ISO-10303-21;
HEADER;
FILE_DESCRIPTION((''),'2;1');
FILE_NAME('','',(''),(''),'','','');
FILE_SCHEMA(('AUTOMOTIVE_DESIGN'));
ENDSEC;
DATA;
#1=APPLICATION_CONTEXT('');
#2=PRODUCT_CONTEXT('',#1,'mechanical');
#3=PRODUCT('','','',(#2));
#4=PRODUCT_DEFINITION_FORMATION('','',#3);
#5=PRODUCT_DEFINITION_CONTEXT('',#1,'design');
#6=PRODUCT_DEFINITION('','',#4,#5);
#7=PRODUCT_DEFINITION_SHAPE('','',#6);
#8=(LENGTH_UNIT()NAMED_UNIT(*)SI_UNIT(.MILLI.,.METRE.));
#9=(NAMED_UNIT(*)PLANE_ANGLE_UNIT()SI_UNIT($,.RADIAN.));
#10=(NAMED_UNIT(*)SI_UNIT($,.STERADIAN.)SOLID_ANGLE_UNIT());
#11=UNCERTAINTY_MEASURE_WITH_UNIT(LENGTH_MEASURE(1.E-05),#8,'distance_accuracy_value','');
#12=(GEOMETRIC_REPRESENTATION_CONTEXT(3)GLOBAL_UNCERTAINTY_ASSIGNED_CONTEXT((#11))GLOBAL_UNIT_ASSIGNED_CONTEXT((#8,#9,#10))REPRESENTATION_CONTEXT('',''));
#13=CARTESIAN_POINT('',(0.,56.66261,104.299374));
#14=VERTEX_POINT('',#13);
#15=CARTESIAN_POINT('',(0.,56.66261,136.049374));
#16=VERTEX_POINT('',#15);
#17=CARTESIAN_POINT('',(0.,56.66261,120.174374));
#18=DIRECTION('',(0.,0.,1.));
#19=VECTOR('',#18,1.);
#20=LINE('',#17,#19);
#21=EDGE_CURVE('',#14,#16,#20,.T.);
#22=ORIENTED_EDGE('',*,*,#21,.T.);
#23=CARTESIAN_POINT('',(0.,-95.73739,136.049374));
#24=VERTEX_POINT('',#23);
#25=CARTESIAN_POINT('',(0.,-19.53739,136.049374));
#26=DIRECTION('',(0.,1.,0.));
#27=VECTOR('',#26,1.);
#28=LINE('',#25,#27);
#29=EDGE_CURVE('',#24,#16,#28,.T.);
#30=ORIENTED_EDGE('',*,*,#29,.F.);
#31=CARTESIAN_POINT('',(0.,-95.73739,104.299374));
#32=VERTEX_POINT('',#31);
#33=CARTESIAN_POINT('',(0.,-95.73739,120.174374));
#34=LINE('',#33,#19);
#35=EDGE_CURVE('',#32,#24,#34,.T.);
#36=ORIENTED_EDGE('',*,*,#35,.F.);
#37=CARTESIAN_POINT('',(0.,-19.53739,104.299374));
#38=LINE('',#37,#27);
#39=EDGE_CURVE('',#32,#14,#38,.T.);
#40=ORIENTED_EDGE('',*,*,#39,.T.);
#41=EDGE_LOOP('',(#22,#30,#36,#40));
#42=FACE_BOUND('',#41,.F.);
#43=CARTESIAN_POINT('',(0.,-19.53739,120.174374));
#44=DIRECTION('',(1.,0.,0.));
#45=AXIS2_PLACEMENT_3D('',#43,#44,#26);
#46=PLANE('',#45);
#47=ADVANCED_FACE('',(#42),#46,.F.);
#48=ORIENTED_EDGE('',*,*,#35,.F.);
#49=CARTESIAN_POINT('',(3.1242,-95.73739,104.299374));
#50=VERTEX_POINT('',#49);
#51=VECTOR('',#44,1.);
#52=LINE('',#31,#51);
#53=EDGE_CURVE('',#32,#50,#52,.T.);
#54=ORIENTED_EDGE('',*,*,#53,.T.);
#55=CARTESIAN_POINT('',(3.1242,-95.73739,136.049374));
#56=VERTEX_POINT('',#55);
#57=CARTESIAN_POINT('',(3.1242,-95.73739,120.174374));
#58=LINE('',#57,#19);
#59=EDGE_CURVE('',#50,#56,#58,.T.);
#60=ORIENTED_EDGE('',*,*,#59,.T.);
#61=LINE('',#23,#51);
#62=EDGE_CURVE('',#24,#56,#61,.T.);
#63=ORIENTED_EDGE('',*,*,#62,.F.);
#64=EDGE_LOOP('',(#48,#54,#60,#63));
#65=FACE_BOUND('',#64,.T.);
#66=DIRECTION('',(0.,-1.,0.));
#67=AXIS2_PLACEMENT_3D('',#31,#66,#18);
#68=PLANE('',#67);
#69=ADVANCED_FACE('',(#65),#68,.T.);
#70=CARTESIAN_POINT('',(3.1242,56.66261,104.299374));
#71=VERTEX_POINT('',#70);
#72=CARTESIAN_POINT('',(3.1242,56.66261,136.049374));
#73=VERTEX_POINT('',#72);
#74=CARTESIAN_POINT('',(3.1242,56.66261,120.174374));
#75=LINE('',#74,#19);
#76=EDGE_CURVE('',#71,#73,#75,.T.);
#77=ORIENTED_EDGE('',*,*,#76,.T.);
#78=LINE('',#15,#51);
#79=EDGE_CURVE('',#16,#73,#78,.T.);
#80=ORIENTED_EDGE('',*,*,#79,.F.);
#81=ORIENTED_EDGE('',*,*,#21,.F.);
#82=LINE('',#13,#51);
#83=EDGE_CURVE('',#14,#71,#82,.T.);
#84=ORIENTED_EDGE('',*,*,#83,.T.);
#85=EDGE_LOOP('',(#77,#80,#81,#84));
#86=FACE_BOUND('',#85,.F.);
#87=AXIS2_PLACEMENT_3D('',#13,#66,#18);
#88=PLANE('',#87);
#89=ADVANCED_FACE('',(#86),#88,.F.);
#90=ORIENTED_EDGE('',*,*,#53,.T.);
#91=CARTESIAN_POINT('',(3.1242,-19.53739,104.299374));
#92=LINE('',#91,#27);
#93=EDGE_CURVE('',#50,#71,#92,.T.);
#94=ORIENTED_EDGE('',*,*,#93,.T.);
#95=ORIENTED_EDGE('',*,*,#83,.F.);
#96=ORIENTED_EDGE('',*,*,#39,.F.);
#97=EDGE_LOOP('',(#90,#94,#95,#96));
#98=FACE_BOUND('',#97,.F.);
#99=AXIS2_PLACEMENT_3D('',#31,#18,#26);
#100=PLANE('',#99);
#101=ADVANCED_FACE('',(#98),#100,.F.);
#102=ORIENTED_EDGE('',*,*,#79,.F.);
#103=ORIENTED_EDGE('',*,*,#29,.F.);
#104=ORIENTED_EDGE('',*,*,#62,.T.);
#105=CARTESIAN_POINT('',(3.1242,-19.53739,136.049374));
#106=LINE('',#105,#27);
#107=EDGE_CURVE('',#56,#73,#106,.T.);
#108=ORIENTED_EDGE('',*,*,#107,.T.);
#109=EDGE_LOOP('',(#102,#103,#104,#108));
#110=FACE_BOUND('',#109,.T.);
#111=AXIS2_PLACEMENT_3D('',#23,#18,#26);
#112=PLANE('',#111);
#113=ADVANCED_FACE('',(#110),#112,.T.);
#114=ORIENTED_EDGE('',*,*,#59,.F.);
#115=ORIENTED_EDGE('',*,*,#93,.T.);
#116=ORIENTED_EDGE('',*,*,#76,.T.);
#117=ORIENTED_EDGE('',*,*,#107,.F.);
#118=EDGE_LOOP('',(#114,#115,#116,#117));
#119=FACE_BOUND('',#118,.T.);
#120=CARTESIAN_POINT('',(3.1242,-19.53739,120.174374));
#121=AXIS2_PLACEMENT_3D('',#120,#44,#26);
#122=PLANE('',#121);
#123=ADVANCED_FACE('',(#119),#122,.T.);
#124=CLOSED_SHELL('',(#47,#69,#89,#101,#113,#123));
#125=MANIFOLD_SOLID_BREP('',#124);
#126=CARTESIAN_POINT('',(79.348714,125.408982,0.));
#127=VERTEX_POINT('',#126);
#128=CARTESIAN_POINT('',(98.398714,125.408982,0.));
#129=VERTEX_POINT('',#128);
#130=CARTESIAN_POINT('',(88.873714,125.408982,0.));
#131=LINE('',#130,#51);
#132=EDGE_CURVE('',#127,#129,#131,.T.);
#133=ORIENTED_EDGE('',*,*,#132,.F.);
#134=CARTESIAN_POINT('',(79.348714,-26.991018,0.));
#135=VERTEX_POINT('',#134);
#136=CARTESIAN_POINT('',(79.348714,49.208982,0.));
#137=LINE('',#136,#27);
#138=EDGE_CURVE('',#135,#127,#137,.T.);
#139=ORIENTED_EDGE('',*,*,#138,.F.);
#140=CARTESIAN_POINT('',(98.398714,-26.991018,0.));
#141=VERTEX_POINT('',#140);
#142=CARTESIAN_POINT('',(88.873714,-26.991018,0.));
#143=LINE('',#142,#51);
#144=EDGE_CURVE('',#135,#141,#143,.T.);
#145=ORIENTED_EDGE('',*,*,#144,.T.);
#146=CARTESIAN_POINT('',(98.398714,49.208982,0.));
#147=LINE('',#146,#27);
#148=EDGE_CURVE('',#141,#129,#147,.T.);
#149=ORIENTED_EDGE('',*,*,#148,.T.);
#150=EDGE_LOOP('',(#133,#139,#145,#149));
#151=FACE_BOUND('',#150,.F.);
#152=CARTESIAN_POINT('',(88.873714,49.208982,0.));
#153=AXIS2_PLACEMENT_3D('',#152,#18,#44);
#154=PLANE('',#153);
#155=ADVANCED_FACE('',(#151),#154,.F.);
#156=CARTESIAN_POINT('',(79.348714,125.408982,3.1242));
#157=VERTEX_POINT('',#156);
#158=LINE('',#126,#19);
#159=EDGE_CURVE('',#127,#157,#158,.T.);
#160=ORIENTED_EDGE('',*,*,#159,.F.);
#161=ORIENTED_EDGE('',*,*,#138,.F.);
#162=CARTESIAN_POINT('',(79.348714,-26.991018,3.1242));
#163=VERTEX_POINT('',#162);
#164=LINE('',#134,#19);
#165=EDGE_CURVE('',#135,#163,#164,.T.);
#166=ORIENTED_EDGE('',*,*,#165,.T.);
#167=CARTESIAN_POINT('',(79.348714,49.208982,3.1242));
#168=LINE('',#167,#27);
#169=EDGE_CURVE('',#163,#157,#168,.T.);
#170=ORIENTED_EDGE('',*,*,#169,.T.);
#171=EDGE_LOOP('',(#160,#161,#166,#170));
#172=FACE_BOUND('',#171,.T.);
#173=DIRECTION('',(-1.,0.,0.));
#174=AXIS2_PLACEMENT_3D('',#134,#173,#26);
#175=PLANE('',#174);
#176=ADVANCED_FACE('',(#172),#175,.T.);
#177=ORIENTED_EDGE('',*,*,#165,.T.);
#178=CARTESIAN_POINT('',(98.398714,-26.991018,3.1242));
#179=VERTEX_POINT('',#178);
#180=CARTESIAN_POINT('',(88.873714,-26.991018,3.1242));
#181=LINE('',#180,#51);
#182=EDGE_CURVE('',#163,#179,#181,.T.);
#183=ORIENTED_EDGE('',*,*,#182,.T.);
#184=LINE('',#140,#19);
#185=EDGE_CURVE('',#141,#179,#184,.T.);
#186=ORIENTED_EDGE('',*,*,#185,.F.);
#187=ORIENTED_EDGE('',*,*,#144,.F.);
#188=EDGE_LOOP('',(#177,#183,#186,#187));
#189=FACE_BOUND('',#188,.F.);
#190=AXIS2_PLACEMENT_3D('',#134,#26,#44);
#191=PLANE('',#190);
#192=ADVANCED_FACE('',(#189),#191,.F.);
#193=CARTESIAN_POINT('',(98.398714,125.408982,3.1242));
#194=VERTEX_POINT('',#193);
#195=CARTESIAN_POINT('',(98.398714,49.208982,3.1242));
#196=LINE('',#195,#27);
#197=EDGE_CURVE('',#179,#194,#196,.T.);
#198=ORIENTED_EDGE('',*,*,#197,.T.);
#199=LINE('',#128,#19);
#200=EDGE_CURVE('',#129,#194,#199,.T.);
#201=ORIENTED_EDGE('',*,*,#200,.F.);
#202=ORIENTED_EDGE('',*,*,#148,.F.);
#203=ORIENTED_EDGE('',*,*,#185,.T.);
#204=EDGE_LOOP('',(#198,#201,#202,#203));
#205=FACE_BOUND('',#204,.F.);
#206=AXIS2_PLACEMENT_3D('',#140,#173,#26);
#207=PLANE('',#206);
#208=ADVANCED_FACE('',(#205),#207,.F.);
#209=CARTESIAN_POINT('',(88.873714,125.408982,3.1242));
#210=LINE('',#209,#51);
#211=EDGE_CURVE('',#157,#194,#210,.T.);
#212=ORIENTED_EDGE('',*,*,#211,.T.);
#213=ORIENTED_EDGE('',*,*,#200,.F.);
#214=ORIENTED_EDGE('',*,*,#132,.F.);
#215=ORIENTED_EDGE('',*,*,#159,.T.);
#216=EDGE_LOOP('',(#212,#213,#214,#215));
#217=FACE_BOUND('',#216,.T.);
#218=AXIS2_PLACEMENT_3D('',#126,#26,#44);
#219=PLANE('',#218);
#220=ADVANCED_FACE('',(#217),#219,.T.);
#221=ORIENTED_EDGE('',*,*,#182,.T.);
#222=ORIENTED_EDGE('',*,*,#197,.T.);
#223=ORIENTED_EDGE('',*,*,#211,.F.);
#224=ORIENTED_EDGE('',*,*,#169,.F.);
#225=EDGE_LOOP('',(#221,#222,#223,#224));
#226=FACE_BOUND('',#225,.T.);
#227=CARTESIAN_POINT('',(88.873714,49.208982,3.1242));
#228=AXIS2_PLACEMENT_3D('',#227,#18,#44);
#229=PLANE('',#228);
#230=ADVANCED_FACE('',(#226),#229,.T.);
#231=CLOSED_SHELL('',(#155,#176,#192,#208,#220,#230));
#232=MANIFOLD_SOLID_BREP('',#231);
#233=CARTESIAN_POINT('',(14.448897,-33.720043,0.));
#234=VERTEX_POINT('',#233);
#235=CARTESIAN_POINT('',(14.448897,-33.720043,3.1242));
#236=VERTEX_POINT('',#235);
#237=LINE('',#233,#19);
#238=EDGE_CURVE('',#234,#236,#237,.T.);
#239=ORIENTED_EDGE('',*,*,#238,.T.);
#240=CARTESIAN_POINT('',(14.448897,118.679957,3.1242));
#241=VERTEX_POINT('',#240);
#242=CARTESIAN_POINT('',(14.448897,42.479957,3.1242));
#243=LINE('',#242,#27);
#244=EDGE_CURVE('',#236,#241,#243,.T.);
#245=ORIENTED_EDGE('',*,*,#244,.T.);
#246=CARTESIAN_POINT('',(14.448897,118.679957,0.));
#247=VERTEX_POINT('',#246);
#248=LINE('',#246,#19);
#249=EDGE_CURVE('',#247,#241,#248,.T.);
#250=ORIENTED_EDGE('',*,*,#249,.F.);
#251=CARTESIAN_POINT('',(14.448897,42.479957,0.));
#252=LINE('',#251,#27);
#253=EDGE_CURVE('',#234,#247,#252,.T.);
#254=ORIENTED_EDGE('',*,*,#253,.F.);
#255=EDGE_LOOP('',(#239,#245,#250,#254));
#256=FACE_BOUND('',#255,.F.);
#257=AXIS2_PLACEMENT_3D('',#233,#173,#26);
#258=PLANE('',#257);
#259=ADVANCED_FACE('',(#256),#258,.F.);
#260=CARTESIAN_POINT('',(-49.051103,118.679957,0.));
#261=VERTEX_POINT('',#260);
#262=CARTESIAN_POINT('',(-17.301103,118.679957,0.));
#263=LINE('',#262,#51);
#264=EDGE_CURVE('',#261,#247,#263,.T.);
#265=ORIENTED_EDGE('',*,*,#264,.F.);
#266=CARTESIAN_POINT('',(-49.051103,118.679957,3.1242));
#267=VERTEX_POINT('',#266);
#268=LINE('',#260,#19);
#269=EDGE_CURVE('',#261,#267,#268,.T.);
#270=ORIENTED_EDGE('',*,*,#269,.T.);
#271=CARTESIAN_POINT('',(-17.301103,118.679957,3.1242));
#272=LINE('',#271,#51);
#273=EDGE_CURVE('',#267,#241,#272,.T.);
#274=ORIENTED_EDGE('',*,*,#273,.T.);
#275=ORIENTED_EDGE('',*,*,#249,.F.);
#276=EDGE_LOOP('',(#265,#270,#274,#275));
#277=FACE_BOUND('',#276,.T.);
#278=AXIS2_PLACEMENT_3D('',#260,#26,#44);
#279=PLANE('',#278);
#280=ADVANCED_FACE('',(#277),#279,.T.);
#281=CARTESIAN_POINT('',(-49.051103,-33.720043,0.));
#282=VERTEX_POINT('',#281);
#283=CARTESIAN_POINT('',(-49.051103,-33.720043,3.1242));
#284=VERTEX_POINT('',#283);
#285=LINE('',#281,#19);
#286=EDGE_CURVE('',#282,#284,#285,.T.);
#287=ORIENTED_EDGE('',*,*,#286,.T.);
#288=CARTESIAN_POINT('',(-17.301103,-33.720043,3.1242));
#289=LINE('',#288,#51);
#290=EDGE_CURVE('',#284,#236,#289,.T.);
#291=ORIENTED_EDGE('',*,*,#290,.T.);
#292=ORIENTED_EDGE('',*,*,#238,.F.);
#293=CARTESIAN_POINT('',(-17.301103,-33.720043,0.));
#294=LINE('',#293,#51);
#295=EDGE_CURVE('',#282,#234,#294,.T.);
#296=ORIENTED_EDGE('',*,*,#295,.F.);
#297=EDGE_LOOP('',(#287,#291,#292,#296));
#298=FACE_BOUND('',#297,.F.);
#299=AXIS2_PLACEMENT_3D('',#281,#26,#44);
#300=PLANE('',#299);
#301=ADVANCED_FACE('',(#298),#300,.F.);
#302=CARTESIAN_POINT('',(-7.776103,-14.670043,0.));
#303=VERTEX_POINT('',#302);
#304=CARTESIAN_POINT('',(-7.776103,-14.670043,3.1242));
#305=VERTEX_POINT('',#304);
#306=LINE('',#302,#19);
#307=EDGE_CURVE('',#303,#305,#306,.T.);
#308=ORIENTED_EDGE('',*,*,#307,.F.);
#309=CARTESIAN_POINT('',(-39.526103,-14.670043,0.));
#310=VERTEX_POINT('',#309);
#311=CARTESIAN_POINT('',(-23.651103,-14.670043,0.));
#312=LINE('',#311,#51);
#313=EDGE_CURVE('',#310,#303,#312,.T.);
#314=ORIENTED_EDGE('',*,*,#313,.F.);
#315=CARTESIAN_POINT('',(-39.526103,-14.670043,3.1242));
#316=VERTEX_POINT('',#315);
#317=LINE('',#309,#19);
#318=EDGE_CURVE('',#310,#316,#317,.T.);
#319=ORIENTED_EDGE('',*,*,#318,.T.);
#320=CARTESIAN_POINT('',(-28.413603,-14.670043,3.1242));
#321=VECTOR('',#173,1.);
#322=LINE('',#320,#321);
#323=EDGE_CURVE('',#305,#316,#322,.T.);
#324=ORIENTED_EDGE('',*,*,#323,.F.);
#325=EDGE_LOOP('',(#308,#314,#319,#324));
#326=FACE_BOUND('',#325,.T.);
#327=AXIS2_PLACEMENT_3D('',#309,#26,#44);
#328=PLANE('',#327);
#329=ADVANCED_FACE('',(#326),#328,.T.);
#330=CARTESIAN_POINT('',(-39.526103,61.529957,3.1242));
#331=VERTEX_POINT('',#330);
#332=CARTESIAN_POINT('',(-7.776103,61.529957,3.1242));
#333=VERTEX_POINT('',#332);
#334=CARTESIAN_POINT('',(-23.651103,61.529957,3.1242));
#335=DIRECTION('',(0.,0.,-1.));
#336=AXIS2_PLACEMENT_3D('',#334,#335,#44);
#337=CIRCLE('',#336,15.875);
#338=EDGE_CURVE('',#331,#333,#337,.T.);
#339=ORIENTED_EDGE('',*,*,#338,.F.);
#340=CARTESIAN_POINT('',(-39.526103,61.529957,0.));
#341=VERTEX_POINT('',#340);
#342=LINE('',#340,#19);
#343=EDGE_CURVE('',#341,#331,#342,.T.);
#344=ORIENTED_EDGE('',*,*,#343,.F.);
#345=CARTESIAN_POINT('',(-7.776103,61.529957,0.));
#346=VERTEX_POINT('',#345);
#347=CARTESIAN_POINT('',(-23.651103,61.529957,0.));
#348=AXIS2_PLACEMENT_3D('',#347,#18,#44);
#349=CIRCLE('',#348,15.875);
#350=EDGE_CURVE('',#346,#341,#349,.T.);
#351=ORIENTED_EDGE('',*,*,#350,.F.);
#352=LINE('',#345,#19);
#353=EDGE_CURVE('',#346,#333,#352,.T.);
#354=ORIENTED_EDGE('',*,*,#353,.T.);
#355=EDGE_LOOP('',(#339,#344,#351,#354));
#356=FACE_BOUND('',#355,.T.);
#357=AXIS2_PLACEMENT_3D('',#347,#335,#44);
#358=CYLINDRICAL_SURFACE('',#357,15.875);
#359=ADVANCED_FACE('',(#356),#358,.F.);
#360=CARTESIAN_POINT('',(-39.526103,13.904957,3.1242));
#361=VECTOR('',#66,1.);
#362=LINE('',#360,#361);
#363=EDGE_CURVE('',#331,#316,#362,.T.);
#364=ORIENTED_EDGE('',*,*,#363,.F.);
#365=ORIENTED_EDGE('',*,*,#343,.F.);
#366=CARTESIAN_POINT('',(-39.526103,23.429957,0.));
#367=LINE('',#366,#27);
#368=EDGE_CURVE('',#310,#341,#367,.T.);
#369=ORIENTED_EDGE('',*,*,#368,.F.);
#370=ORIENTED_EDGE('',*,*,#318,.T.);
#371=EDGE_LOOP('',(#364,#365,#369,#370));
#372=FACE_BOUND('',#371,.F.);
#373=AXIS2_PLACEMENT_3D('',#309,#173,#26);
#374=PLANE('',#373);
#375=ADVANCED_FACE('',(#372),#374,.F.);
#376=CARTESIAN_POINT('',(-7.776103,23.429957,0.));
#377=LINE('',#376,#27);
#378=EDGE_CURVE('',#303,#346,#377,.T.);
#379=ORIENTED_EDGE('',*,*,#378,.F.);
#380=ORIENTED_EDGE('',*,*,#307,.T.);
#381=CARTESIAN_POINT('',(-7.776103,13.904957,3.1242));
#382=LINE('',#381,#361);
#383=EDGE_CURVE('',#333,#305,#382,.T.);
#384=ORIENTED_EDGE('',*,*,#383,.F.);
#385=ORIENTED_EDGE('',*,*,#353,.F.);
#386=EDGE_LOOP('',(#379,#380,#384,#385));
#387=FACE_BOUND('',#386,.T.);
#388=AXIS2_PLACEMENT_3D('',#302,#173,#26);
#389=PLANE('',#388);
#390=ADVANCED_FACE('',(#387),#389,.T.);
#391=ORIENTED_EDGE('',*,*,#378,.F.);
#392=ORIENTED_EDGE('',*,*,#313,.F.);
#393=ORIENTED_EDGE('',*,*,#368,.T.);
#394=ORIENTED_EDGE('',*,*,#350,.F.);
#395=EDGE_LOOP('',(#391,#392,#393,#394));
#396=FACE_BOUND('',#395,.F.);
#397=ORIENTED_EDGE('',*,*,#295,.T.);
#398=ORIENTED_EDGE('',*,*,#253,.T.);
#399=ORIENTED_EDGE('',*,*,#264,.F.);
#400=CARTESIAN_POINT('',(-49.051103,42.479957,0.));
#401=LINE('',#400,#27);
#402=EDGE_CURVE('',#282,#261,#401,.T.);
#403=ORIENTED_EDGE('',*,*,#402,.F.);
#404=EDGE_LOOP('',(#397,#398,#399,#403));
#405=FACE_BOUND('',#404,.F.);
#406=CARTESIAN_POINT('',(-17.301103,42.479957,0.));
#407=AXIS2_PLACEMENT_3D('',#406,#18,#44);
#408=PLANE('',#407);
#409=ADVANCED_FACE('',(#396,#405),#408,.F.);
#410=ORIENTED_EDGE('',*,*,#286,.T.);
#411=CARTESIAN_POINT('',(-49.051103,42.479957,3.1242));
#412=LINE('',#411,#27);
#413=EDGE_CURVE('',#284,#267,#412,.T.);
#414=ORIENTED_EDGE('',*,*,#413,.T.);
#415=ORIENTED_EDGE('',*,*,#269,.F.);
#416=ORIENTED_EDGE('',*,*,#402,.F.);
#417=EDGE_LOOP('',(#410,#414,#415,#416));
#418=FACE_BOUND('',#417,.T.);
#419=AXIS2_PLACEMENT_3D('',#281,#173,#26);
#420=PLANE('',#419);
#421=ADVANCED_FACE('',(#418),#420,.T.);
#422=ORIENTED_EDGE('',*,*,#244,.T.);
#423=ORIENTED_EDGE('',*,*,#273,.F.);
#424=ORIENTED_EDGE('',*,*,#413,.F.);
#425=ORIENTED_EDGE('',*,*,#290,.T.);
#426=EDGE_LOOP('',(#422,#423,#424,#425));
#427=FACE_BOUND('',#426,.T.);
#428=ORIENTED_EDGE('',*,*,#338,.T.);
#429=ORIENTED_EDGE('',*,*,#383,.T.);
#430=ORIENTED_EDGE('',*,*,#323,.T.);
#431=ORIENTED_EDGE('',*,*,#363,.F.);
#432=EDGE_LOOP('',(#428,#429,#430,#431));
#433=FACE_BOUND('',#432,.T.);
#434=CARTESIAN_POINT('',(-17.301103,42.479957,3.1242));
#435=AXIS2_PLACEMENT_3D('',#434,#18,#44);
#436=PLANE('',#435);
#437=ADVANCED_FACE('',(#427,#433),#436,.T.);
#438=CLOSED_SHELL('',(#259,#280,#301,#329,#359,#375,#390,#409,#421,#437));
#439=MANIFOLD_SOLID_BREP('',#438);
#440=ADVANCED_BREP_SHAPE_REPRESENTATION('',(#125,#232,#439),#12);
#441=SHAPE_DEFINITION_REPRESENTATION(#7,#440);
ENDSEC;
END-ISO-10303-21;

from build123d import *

# Parameters (mm, degrees)
F0_W     = 63.5
F0_H     = 152.4
F2_DEPTH = 3.1242
F1_W     = 31.75
F1_H     = 76.2
F3_DEPTH = 25.4
F4_R     = 15.875
F5_DEPTH = 25.4
F6_W     = 19.05
F6_H     = 152.4
F7_DEPTH = 3.1242
F8_W     = 152.4
F8_H     = 31.75
F9_DEPTH = 3.1242


with BuildPart() as f2:
    # F0 (on Top) → F2 (new body)
    with BuildSketch(Plane.XY):
        with Locations((-17.301103, 42.479957)):
            Rectangle(F0_W, F0_H)
    extrude(amount=F2_DEPTH)

    # F1 (on Top) → F3 (cut)
    with BuildSketch(Plane.XY):
        with Locations((-23.651103, 23.429957)):
            Rectangle(F1_W, F1_H)
    extrude(amount=F3_DEPTH, mode=Mode.SUBTRACT)

    # F4 (on Top) → F5 (cut)
    with BuildSketch(Plane.XY):
        with Locations((-23.651103, 61.529957)):
            Circle(F4_R)
    extrude(amount=F5_DEPTH, mode=Mode.SUBTRACT)


with BuildPart() as f7:
    # F6 (on Top) → F7 (new body)
    with BuildSketch(Plane.XY):
        with Locations((88.873714, 49.208982)):
            Rectangle(F6_W, F6_H)
    extrude(amount=F7_DEPTH)


with BuildPart() as f9:
    # F8 (on Right) → F9 (new body)
    with BuildSketch(Plane.YZ):
        with Locations((-19.53739, 120.174374)):
            Rectangle(F8_W, F8_H)
    extrude(amount=F9_DEPTH)


solid = Compound([f2.part, f7.part, f9.part])
